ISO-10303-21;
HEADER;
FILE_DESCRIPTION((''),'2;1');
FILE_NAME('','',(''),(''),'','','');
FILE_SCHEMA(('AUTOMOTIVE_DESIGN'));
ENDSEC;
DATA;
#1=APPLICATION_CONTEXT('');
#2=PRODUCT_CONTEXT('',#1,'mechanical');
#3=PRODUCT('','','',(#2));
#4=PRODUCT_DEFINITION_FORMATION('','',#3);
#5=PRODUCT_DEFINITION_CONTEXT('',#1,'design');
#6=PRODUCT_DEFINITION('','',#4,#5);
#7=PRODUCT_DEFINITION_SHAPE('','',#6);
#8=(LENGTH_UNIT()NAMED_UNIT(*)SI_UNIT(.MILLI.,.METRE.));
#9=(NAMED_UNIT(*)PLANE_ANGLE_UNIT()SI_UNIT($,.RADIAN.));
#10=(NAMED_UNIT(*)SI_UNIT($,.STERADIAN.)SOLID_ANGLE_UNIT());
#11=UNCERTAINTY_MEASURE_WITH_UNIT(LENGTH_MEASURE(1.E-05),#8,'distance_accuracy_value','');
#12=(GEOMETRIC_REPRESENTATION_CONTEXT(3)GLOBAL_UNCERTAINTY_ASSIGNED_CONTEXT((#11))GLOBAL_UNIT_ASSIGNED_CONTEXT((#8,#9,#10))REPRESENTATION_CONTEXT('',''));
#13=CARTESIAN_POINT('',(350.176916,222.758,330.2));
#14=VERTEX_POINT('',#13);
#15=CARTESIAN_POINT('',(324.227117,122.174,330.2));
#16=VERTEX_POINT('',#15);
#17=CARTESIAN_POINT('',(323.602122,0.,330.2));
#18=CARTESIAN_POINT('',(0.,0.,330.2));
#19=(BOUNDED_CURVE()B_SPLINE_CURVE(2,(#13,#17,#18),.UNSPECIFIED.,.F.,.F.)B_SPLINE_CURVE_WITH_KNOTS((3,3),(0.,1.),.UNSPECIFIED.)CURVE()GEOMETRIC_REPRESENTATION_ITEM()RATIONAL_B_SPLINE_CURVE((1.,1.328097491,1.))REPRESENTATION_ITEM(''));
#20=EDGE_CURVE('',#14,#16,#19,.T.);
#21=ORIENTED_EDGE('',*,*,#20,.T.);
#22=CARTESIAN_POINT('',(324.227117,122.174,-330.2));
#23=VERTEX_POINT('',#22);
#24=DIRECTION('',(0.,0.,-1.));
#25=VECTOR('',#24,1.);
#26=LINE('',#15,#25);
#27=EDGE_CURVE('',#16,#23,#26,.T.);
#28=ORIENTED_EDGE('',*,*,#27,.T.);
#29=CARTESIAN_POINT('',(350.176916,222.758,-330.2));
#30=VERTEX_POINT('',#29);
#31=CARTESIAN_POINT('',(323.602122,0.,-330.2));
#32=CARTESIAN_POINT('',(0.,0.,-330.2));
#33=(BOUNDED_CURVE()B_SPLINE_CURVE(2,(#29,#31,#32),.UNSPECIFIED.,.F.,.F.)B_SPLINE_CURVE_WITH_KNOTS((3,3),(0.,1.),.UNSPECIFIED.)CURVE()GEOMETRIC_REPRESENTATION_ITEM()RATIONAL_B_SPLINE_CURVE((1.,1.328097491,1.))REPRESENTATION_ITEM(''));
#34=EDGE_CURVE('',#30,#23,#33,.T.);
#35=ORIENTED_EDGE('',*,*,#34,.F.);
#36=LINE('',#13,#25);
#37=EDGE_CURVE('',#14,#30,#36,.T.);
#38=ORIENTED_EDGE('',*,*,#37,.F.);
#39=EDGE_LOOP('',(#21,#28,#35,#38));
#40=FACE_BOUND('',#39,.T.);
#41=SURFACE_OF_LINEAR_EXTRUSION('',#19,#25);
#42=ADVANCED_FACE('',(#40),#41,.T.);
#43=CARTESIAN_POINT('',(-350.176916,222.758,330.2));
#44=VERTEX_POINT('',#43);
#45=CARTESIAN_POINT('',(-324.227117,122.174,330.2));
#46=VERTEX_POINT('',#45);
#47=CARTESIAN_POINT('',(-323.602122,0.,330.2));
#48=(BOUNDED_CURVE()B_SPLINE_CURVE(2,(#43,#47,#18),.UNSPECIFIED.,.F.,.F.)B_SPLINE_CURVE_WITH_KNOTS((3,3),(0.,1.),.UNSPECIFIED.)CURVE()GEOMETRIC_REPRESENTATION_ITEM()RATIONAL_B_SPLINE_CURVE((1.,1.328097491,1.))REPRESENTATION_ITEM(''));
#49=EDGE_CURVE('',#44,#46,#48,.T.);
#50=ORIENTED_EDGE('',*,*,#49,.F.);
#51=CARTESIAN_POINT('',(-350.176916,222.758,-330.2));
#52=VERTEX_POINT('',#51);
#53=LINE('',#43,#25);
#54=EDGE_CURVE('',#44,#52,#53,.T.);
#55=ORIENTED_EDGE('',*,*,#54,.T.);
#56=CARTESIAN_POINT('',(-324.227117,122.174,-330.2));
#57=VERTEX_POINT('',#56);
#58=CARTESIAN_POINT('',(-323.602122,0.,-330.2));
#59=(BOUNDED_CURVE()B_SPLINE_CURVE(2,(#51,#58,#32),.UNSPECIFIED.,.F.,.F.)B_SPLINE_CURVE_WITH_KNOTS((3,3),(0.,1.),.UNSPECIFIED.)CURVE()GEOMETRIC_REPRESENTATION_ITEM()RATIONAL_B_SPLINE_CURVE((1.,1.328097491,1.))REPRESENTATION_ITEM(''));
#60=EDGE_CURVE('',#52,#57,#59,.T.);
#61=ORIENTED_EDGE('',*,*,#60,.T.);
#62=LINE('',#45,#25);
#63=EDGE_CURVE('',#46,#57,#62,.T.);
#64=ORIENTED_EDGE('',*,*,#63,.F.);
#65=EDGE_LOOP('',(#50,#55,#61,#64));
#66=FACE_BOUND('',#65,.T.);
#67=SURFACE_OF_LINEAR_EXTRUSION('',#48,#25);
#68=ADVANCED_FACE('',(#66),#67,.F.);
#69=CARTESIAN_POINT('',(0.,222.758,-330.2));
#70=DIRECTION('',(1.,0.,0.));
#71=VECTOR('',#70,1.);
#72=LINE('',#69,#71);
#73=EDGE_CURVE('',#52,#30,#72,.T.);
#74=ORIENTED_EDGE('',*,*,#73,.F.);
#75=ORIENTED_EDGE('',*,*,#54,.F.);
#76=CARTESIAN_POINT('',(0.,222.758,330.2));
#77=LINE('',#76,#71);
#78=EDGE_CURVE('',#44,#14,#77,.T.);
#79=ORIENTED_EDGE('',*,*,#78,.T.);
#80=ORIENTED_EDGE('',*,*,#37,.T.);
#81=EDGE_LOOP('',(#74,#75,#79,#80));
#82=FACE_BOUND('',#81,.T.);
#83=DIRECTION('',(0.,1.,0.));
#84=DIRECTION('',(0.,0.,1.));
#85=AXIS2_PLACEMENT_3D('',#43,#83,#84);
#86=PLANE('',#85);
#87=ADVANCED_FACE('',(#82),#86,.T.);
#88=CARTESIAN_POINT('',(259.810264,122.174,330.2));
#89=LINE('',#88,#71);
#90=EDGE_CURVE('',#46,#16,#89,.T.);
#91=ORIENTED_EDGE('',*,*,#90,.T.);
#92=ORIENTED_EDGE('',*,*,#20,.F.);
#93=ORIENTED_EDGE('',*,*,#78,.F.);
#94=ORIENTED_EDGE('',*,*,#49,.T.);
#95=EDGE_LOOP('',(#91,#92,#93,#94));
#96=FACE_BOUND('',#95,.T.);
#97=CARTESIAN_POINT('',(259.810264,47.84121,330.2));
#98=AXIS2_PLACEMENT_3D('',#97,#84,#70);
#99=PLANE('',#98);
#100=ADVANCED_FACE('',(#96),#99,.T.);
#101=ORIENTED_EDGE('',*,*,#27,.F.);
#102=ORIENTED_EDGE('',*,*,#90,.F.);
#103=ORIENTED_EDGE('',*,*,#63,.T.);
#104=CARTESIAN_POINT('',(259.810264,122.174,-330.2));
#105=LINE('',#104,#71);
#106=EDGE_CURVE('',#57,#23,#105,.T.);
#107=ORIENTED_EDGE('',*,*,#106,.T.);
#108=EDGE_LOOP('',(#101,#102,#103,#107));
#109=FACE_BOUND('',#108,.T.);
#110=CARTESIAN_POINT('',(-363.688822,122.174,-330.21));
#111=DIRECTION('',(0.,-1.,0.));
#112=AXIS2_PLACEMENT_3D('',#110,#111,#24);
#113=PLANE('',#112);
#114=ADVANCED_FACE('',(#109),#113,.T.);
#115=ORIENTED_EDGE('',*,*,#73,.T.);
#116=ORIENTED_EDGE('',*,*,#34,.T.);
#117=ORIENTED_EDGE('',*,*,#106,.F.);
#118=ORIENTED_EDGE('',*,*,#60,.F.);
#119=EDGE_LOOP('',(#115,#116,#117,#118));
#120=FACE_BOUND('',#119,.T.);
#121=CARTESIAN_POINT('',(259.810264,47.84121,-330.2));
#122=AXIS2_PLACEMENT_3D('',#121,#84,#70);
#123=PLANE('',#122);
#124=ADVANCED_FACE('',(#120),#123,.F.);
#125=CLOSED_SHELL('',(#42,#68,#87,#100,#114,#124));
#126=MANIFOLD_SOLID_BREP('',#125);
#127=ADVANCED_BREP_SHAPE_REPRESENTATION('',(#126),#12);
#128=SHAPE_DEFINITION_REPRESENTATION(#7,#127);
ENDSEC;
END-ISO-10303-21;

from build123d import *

# Parameters (mm, degrees)
BOSS_EXTRUDE1_DEPTH      = 330.2
BOSS_EXTRUDE1_DEPTH_BACK = 330.2
SPLIT1_SURFACE_1_BACK    = 989.051
SPLIT1_SURFACE_1_DEPTH   = 1978.102


with BuildPart() as part:
    # Sketch1 → Boss-Extrude1 (new, two sides: drawn at the far end of the back side and taken through both)
    with BuildSketch(Plane.XY.offset(-BOSS_EXTRUDE1_DEPTH_BACK)):
        with BuildLine():
            Line((-350.176916026, 222.758), (0, 222.758))
            Line((0, 222.758), (350.176916026, 222.758))
            add(Edge.make_bspline(
                [(350.176916026, 222.758), (323.602122165, 0), (0, 0)],
                knots=[0, 0, 0, 1, 1, 1], degree=2, weights=[1, 1.328097491, 1]))
            add(Edge.make_bspline(
                [(-350.176916026, 222.758), (-323.602122165, 0), (0, 0)],
                knots=[0, 0, 0, 1, 1, 1], degree=2, weights=[1, 1.328097491, 1]))
        make_face()
    extrude(amount=BOSS_EXTRUDE1_DEPTH + BOSS_EXTRUDE1_DEPTH_BACK)

    # Split1: cut with a surface, the side it looks to stays
    # Split1 surface: a surface, the sketch's curves swept straight by 1978.102 mm
    with BuildLine(Plane.XY.offset(-SPLIT1_SURFACE_1_BACK), mode=Mode.PRIVATE) as split1_surface_1_path:
        Line((-363.688822472, 122.174), (403.145628683, 122.174))
    split1_surface_1 = Shell.extrude(split1_surface_1_path.wire(), (0 * SPLIT1_SURFACE_1_DEPTH, 0 * SPLIT1_SURFACE_1_DEPTH, 1 * SPLIT1_SURFACE_1_DEPTH))
    split(bisect_by=split1_surface_1, keep=Keep.TOP)


solid = part.part
